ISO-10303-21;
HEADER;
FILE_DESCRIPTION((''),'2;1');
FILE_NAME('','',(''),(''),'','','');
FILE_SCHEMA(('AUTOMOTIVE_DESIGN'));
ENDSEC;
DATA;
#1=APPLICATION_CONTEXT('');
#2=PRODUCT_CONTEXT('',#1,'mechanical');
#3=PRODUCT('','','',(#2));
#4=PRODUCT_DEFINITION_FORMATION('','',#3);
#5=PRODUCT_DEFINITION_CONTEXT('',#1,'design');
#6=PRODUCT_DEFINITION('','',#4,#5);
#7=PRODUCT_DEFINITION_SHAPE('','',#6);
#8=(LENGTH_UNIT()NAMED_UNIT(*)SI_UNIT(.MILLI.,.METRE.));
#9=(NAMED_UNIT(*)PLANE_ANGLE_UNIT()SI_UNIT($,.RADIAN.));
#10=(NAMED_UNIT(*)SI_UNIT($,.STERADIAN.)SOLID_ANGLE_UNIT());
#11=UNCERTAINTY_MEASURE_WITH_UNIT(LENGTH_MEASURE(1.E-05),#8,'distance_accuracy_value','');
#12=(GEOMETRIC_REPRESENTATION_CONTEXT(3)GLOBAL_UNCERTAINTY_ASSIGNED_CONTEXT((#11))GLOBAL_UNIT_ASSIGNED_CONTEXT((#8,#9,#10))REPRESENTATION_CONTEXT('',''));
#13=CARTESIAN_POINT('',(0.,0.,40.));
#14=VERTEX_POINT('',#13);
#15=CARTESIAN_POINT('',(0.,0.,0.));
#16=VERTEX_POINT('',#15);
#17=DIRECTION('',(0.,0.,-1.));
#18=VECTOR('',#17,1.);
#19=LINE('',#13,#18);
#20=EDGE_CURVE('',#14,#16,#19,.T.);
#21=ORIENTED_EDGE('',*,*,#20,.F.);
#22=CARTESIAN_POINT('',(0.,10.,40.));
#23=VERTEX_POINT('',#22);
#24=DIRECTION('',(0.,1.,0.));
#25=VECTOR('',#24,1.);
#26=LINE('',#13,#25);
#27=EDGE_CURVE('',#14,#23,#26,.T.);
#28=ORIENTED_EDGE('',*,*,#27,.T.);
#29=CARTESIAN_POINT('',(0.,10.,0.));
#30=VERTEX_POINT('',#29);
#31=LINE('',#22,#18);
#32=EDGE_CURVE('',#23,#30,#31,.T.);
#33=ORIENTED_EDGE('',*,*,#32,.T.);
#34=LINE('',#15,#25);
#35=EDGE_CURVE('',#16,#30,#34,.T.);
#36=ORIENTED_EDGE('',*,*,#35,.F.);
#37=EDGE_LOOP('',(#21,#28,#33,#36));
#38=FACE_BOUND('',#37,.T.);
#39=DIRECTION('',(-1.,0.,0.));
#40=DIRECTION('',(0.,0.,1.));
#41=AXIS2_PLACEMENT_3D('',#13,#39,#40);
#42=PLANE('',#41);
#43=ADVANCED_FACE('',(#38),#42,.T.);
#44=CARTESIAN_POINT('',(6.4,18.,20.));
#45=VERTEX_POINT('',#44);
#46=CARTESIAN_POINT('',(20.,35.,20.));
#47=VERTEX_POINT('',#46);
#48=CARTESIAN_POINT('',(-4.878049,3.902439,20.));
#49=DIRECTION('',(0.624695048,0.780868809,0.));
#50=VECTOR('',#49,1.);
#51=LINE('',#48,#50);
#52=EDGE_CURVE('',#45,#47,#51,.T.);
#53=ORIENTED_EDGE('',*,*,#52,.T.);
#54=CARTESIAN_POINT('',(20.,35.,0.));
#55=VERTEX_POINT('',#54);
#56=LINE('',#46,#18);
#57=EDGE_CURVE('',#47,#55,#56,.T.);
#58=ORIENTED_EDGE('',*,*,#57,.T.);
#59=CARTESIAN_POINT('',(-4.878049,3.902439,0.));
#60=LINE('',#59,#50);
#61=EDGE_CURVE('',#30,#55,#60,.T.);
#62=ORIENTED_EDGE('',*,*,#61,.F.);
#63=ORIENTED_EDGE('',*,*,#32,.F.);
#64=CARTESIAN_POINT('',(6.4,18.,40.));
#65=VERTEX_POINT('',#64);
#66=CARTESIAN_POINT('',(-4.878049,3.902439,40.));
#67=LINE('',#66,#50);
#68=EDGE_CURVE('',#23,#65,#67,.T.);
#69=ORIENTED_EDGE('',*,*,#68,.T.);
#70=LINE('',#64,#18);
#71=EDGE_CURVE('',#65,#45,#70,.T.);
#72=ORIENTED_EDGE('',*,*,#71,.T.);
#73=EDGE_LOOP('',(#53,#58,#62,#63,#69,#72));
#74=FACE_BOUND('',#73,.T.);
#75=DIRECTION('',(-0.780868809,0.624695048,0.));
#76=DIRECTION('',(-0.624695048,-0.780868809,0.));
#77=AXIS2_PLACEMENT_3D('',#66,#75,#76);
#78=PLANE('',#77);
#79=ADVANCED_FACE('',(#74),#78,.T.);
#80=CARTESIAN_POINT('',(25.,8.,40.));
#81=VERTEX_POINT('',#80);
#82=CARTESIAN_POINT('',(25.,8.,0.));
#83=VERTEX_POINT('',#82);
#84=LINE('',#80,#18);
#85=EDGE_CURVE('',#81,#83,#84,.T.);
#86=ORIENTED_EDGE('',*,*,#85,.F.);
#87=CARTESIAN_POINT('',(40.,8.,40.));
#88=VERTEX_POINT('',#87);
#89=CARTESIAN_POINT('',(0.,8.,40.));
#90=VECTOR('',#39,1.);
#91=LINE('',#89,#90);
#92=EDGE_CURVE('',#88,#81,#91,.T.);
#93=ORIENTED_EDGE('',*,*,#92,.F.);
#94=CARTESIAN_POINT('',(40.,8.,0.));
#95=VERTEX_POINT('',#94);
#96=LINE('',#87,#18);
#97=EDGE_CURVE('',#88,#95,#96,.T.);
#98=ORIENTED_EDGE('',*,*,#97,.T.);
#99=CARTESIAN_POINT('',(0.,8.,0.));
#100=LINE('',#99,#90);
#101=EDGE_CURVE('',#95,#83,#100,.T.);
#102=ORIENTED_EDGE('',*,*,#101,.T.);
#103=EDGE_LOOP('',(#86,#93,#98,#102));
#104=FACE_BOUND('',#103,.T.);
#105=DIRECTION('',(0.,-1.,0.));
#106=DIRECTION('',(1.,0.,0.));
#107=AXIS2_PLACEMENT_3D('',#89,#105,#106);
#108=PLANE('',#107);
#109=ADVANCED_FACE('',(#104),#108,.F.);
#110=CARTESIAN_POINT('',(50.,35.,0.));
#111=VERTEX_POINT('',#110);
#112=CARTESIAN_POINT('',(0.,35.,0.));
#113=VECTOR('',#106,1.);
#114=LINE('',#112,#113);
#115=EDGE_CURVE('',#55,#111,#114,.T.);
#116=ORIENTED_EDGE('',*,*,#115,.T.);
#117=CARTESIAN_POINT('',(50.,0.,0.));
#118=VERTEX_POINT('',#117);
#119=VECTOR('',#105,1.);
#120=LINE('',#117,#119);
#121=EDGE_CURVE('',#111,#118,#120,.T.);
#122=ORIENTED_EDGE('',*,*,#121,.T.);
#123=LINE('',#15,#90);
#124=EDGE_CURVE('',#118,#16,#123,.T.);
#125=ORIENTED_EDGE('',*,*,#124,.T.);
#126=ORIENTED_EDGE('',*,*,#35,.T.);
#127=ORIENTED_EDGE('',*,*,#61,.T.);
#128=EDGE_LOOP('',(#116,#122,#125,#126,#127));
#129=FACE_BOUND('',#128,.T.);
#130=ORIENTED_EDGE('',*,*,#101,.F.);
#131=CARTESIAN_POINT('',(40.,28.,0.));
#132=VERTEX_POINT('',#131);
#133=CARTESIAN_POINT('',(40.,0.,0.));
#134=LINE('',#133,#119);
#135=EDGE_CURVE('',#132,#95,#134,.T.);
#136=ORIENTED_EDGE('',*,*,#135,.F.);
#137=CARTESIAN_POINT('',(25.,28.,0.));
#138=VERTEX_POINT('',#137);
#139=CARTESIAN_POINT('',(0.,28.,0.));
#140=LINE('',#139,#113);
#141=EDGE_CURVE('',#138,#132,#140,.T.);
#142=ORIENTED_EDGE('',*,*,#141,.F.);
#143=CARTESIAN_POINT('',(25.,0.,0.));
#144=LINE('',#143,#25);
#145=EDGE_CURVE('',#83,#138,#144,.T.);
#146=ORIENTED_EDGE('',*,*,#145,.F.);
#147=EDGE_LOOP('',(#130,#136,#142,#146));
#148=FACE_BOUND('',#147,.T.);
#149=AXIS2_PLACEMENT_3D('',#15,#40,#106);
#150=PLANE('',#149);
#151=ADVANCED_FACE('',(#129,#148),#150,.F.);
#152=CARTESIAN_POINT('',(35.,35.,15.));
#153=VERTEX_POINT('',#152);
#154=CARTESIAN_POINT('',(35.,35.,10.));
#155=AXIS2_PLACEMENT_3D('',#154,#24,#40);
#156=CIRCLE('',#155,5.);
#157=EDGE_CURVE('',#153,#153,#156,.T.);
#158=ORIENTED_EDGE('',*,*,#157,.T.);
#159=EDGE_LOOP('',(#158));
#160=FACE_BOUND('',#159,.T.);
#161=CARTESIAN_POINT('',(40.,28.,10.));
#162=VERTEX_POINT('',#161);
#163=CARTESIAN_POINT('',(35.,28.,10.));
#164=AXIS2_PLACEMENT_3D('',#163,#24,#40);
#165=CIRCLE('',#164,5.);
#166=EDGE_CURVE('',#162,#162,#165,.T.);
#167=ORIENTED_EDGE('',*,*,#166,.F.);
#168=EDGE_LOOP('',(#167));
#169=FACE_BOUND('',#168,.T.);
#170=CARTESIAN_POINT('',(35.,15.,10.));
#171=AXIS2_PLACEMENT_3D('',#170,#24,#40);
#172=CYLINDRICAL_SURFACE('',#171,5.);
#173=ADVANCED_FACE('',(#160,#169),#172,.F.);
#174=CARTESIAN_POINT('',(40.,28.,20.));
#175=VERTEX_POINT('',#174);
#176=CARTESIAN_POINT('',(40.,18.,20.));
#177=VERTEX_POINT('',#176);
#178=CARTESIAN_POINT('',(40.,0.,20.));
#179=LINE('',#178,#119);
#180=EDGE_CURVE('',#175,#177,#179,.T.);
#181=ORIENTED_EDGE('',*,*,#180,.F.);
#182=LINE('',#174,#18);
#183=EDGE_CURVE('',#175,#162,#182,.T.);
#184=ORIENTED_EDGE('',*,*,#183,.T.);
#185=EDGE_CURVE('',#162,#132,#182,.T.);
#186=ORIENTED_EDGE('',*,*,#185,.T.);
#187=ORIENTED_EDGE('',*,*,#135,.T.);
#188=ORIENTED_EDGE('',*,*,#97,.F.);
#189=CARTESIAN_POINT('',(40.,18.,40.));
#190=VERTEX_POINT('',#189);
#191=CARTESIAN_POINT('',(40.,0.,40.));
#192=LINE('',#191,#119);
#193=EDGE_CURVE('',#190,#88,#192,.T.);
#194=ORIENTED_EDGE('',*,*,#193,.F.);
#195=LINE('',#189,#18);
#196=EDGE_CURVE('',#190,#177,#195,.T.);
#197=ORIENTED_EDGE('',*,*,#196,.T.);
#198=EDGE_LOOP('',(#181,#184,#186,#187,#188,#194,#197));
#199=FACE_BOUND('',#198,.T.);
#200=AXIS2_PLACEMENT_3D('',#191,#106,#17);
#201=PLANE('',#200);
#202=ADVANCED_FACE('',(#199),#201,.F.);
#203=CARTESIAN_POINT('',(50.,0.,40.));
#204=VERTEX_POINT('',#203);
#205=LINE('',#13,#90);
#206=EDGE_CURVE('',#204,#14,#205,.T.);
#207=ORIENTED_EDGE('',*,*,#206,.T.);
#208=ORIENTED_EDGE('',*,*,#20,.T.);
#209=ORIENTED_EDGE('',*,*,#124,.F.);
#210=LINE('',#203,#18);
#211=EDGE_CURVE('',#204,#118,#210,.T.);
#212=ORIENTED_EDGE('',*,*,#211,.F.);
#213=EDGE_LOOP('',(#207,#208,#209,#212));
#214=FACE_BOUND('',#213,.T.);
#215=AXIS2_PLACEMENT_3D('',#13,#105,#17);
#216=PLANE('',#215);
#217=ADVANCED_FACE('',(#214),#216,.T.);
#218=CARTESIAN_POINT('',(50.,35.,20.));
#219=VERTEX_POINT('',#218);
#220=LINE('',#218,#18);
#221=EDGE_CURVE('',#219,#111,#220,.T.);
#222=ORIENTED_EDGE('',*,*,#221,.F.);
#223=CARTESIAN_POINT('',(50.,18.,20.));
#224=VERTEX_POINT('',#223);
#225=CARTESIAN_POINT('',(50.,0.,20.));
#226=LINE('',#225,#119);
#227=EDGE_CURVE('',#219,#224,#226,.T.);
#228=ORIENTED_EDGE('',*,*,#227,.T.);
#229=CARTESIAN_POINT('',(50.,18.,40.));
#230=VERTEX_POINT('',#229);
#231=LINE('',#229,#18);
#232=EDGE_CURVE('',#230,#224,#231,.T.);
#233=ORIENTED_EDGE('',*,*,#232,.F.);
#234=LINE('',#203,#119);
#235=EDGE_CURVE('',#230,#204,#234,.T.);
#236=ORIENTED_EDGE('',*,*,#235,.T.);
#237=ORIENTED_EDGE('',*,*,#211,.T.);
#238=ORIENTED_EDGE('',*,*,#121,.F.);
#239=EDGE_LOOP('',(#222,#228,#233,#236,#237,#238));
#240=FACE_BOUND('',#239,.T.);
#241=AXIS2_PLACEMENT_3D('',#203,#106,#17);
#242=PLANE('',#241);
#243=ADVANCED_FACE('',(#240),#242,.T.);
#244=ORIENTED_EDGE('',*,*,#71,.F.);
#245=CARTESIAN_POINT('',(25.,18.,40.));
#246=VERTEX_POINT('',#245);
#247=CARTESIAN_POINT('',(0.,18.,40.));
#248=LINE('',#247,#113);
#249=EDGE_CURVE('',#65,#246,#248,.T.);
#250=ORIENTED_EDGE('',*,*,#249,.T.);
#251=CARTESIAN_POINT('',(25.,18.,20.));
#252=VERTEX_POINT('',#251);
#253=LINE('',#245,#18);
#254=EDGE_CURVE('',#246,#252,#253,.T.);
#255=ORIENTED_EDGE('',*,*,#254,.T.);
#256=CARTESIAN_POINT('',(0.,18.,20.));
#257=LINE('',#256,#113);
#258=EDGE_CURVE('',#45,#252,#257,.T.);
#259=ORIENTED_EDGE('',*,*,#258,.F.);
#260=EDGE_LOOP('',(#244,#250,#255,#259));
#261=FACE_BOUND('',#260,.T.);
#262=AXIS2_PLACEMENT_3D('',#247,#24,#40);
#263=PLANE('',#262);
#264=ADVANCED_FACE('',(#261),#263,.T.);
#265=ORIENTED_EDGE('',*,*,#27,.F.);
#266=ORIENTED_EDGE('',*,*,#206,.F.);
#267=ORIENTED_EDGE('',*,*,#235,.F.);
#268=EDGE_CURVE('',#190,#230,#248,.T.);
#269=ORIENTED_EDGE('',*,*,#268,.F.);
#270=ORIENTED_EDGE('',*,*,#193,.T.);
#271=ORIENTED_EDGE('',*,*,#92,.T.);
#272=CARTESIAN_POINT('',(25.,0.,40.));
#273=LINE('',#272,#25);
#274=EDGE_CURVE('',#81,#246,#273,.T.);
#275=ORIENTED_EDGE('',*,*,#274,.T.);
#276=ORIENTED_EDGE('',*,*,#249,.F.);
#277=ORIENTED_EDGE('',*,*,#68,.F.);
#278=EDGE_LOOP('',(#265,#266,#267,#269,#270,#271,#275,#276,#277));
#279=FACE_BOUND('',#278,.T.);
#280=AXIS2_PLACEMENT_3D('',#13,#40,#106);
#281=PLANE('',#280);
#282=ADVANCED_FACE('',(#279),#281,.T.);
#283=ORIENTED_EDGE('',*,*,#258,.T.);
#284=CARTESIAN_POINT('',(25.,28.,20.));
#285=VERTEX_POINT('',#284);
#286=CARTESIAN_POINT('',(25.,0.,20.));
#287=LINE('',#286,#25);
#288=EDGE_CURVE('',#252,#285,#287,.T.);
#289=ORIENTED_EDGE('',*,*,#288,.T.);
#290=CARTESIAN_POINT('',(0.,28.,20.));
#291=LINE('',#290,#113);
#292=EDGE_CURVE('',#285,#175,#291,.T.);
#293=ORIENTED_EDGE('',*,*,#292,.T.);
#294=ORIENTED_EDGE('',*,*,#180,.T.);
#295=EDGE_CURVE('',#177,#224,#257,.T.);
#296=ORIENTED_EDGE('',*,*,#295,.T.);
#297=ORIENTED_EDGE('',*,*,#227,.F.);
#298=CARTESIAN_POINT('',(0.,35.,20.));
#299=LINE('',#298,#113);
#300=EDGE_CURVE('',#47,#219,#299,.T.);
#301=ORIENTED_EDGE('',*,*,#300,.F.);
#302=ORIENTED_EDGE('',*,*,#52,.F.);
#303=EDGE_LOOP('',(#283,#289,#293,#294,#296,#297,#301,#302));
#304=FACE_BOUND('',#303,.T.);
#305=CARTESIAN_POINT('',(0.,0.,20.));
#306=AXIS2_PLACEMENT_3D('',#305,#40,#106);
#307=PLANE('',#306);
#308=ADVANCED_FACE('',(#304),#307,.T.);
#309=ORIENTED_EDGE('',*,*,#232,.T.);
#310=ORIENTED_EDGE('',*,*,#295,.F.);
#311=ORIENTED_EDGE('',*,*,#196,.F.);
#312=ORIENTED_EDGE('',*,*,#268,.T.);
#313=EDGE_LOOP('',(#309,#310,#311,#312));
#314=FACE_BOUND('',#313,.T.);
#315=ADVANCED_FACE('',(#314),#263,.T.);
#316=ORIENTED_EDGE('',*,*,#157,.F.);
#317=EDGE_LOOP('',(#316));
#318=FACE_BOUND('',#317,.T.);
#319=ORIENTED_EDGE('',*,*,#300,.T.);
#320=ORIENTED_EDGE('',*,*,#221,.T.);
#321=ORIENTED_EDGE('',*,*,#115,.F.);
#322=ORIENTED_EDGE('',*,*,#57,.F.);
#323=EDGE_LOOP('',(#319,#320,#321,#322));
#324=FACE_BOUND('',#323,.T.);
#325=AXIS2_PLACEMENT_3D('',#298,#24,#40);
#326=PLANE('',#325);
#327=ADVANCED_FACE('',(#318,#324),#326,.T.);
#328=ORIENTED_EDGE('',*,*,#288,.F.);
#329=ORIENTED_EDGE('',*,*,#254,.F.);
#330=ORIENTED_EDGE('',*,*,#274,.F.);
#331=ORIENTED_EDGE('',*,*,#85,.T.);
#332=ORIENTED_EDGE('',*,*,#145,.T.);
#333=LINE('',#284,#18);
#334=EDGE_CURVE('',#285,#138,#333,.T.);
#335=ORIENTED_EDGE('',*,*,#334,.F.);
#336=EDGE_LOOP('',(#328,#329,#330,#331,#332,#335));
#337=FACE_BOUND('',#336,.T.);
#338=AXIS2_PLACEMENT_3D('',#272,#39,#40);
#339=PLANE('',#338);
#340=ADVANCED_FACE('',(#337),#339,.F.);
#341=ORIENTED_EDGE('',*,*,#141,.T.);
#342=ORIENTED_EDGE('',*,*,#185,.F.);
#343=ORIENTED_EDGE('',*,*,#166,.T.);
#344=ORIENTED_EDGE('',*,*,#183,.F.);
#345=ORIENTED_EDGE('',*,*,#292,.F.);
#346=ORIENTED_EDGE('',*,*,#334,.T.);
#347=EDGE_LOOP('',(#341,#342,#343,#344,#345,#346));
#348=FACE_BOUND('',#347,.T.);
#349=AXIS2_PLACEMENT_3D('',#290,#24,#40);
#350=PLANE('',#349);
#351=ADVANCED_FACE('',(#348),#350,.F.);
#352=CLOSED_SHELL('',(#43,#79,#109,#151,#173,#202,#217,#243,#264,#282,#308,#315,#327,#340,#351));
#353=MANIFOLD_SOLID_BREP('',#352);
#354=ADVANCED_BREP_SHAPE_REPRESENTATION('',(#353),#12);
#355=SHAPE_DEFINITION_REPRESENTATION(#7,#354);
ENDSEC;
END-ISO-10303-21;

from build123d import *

# Parameters (mm, degrees)
BOSS_EXTRUDE1_DEPTH = 40
BOSS_EXTRUDE2_DEPTH = 20
SKETCH4_R           = 5
CUT_EXTRUDE3_DEPTH  = 20


with BuildPart() as part:
    # Sketch2 → Boss-Extrude1 (new body)
    with BuildSketch(Plane.XY):
        Polygon((0, 10), (0, 0), (50, 0), (50, 18), (40, 18), (40, 8), (25, 8), (25, 18), (6.4, 18), align=None)
    extrude(amount=BOSS_EXTRUDE1_DEPTH)

    # Sketch2<4> → Boss-Extrude2 (add)
    with BuildSketch(Plane.XY):
        Polygon((20, 35), (6.4, 18), (25, 18), (25, 28), (40, 28), (40, 18), (50, 18), (50, 35), align=None)
    extrude(amount=BOSS_EXTRUDE2_DEPTH)

    # Sketch4 → Cut-Extrude3 (cut)
    with BuildSketch(Plane(origin=(0, 35, 0), x_dir=(1, 0, 0), z_dir=(0, 1, 0))):
        with Locations(Location((35, -10, 0), (0, 0, 270))):
            Circle(SKETCH4_R)
    extrude(amount=-CUT_EXTRUDE3_DEPTH, mode=Mode.SUBTRACT)


solid = part.part
